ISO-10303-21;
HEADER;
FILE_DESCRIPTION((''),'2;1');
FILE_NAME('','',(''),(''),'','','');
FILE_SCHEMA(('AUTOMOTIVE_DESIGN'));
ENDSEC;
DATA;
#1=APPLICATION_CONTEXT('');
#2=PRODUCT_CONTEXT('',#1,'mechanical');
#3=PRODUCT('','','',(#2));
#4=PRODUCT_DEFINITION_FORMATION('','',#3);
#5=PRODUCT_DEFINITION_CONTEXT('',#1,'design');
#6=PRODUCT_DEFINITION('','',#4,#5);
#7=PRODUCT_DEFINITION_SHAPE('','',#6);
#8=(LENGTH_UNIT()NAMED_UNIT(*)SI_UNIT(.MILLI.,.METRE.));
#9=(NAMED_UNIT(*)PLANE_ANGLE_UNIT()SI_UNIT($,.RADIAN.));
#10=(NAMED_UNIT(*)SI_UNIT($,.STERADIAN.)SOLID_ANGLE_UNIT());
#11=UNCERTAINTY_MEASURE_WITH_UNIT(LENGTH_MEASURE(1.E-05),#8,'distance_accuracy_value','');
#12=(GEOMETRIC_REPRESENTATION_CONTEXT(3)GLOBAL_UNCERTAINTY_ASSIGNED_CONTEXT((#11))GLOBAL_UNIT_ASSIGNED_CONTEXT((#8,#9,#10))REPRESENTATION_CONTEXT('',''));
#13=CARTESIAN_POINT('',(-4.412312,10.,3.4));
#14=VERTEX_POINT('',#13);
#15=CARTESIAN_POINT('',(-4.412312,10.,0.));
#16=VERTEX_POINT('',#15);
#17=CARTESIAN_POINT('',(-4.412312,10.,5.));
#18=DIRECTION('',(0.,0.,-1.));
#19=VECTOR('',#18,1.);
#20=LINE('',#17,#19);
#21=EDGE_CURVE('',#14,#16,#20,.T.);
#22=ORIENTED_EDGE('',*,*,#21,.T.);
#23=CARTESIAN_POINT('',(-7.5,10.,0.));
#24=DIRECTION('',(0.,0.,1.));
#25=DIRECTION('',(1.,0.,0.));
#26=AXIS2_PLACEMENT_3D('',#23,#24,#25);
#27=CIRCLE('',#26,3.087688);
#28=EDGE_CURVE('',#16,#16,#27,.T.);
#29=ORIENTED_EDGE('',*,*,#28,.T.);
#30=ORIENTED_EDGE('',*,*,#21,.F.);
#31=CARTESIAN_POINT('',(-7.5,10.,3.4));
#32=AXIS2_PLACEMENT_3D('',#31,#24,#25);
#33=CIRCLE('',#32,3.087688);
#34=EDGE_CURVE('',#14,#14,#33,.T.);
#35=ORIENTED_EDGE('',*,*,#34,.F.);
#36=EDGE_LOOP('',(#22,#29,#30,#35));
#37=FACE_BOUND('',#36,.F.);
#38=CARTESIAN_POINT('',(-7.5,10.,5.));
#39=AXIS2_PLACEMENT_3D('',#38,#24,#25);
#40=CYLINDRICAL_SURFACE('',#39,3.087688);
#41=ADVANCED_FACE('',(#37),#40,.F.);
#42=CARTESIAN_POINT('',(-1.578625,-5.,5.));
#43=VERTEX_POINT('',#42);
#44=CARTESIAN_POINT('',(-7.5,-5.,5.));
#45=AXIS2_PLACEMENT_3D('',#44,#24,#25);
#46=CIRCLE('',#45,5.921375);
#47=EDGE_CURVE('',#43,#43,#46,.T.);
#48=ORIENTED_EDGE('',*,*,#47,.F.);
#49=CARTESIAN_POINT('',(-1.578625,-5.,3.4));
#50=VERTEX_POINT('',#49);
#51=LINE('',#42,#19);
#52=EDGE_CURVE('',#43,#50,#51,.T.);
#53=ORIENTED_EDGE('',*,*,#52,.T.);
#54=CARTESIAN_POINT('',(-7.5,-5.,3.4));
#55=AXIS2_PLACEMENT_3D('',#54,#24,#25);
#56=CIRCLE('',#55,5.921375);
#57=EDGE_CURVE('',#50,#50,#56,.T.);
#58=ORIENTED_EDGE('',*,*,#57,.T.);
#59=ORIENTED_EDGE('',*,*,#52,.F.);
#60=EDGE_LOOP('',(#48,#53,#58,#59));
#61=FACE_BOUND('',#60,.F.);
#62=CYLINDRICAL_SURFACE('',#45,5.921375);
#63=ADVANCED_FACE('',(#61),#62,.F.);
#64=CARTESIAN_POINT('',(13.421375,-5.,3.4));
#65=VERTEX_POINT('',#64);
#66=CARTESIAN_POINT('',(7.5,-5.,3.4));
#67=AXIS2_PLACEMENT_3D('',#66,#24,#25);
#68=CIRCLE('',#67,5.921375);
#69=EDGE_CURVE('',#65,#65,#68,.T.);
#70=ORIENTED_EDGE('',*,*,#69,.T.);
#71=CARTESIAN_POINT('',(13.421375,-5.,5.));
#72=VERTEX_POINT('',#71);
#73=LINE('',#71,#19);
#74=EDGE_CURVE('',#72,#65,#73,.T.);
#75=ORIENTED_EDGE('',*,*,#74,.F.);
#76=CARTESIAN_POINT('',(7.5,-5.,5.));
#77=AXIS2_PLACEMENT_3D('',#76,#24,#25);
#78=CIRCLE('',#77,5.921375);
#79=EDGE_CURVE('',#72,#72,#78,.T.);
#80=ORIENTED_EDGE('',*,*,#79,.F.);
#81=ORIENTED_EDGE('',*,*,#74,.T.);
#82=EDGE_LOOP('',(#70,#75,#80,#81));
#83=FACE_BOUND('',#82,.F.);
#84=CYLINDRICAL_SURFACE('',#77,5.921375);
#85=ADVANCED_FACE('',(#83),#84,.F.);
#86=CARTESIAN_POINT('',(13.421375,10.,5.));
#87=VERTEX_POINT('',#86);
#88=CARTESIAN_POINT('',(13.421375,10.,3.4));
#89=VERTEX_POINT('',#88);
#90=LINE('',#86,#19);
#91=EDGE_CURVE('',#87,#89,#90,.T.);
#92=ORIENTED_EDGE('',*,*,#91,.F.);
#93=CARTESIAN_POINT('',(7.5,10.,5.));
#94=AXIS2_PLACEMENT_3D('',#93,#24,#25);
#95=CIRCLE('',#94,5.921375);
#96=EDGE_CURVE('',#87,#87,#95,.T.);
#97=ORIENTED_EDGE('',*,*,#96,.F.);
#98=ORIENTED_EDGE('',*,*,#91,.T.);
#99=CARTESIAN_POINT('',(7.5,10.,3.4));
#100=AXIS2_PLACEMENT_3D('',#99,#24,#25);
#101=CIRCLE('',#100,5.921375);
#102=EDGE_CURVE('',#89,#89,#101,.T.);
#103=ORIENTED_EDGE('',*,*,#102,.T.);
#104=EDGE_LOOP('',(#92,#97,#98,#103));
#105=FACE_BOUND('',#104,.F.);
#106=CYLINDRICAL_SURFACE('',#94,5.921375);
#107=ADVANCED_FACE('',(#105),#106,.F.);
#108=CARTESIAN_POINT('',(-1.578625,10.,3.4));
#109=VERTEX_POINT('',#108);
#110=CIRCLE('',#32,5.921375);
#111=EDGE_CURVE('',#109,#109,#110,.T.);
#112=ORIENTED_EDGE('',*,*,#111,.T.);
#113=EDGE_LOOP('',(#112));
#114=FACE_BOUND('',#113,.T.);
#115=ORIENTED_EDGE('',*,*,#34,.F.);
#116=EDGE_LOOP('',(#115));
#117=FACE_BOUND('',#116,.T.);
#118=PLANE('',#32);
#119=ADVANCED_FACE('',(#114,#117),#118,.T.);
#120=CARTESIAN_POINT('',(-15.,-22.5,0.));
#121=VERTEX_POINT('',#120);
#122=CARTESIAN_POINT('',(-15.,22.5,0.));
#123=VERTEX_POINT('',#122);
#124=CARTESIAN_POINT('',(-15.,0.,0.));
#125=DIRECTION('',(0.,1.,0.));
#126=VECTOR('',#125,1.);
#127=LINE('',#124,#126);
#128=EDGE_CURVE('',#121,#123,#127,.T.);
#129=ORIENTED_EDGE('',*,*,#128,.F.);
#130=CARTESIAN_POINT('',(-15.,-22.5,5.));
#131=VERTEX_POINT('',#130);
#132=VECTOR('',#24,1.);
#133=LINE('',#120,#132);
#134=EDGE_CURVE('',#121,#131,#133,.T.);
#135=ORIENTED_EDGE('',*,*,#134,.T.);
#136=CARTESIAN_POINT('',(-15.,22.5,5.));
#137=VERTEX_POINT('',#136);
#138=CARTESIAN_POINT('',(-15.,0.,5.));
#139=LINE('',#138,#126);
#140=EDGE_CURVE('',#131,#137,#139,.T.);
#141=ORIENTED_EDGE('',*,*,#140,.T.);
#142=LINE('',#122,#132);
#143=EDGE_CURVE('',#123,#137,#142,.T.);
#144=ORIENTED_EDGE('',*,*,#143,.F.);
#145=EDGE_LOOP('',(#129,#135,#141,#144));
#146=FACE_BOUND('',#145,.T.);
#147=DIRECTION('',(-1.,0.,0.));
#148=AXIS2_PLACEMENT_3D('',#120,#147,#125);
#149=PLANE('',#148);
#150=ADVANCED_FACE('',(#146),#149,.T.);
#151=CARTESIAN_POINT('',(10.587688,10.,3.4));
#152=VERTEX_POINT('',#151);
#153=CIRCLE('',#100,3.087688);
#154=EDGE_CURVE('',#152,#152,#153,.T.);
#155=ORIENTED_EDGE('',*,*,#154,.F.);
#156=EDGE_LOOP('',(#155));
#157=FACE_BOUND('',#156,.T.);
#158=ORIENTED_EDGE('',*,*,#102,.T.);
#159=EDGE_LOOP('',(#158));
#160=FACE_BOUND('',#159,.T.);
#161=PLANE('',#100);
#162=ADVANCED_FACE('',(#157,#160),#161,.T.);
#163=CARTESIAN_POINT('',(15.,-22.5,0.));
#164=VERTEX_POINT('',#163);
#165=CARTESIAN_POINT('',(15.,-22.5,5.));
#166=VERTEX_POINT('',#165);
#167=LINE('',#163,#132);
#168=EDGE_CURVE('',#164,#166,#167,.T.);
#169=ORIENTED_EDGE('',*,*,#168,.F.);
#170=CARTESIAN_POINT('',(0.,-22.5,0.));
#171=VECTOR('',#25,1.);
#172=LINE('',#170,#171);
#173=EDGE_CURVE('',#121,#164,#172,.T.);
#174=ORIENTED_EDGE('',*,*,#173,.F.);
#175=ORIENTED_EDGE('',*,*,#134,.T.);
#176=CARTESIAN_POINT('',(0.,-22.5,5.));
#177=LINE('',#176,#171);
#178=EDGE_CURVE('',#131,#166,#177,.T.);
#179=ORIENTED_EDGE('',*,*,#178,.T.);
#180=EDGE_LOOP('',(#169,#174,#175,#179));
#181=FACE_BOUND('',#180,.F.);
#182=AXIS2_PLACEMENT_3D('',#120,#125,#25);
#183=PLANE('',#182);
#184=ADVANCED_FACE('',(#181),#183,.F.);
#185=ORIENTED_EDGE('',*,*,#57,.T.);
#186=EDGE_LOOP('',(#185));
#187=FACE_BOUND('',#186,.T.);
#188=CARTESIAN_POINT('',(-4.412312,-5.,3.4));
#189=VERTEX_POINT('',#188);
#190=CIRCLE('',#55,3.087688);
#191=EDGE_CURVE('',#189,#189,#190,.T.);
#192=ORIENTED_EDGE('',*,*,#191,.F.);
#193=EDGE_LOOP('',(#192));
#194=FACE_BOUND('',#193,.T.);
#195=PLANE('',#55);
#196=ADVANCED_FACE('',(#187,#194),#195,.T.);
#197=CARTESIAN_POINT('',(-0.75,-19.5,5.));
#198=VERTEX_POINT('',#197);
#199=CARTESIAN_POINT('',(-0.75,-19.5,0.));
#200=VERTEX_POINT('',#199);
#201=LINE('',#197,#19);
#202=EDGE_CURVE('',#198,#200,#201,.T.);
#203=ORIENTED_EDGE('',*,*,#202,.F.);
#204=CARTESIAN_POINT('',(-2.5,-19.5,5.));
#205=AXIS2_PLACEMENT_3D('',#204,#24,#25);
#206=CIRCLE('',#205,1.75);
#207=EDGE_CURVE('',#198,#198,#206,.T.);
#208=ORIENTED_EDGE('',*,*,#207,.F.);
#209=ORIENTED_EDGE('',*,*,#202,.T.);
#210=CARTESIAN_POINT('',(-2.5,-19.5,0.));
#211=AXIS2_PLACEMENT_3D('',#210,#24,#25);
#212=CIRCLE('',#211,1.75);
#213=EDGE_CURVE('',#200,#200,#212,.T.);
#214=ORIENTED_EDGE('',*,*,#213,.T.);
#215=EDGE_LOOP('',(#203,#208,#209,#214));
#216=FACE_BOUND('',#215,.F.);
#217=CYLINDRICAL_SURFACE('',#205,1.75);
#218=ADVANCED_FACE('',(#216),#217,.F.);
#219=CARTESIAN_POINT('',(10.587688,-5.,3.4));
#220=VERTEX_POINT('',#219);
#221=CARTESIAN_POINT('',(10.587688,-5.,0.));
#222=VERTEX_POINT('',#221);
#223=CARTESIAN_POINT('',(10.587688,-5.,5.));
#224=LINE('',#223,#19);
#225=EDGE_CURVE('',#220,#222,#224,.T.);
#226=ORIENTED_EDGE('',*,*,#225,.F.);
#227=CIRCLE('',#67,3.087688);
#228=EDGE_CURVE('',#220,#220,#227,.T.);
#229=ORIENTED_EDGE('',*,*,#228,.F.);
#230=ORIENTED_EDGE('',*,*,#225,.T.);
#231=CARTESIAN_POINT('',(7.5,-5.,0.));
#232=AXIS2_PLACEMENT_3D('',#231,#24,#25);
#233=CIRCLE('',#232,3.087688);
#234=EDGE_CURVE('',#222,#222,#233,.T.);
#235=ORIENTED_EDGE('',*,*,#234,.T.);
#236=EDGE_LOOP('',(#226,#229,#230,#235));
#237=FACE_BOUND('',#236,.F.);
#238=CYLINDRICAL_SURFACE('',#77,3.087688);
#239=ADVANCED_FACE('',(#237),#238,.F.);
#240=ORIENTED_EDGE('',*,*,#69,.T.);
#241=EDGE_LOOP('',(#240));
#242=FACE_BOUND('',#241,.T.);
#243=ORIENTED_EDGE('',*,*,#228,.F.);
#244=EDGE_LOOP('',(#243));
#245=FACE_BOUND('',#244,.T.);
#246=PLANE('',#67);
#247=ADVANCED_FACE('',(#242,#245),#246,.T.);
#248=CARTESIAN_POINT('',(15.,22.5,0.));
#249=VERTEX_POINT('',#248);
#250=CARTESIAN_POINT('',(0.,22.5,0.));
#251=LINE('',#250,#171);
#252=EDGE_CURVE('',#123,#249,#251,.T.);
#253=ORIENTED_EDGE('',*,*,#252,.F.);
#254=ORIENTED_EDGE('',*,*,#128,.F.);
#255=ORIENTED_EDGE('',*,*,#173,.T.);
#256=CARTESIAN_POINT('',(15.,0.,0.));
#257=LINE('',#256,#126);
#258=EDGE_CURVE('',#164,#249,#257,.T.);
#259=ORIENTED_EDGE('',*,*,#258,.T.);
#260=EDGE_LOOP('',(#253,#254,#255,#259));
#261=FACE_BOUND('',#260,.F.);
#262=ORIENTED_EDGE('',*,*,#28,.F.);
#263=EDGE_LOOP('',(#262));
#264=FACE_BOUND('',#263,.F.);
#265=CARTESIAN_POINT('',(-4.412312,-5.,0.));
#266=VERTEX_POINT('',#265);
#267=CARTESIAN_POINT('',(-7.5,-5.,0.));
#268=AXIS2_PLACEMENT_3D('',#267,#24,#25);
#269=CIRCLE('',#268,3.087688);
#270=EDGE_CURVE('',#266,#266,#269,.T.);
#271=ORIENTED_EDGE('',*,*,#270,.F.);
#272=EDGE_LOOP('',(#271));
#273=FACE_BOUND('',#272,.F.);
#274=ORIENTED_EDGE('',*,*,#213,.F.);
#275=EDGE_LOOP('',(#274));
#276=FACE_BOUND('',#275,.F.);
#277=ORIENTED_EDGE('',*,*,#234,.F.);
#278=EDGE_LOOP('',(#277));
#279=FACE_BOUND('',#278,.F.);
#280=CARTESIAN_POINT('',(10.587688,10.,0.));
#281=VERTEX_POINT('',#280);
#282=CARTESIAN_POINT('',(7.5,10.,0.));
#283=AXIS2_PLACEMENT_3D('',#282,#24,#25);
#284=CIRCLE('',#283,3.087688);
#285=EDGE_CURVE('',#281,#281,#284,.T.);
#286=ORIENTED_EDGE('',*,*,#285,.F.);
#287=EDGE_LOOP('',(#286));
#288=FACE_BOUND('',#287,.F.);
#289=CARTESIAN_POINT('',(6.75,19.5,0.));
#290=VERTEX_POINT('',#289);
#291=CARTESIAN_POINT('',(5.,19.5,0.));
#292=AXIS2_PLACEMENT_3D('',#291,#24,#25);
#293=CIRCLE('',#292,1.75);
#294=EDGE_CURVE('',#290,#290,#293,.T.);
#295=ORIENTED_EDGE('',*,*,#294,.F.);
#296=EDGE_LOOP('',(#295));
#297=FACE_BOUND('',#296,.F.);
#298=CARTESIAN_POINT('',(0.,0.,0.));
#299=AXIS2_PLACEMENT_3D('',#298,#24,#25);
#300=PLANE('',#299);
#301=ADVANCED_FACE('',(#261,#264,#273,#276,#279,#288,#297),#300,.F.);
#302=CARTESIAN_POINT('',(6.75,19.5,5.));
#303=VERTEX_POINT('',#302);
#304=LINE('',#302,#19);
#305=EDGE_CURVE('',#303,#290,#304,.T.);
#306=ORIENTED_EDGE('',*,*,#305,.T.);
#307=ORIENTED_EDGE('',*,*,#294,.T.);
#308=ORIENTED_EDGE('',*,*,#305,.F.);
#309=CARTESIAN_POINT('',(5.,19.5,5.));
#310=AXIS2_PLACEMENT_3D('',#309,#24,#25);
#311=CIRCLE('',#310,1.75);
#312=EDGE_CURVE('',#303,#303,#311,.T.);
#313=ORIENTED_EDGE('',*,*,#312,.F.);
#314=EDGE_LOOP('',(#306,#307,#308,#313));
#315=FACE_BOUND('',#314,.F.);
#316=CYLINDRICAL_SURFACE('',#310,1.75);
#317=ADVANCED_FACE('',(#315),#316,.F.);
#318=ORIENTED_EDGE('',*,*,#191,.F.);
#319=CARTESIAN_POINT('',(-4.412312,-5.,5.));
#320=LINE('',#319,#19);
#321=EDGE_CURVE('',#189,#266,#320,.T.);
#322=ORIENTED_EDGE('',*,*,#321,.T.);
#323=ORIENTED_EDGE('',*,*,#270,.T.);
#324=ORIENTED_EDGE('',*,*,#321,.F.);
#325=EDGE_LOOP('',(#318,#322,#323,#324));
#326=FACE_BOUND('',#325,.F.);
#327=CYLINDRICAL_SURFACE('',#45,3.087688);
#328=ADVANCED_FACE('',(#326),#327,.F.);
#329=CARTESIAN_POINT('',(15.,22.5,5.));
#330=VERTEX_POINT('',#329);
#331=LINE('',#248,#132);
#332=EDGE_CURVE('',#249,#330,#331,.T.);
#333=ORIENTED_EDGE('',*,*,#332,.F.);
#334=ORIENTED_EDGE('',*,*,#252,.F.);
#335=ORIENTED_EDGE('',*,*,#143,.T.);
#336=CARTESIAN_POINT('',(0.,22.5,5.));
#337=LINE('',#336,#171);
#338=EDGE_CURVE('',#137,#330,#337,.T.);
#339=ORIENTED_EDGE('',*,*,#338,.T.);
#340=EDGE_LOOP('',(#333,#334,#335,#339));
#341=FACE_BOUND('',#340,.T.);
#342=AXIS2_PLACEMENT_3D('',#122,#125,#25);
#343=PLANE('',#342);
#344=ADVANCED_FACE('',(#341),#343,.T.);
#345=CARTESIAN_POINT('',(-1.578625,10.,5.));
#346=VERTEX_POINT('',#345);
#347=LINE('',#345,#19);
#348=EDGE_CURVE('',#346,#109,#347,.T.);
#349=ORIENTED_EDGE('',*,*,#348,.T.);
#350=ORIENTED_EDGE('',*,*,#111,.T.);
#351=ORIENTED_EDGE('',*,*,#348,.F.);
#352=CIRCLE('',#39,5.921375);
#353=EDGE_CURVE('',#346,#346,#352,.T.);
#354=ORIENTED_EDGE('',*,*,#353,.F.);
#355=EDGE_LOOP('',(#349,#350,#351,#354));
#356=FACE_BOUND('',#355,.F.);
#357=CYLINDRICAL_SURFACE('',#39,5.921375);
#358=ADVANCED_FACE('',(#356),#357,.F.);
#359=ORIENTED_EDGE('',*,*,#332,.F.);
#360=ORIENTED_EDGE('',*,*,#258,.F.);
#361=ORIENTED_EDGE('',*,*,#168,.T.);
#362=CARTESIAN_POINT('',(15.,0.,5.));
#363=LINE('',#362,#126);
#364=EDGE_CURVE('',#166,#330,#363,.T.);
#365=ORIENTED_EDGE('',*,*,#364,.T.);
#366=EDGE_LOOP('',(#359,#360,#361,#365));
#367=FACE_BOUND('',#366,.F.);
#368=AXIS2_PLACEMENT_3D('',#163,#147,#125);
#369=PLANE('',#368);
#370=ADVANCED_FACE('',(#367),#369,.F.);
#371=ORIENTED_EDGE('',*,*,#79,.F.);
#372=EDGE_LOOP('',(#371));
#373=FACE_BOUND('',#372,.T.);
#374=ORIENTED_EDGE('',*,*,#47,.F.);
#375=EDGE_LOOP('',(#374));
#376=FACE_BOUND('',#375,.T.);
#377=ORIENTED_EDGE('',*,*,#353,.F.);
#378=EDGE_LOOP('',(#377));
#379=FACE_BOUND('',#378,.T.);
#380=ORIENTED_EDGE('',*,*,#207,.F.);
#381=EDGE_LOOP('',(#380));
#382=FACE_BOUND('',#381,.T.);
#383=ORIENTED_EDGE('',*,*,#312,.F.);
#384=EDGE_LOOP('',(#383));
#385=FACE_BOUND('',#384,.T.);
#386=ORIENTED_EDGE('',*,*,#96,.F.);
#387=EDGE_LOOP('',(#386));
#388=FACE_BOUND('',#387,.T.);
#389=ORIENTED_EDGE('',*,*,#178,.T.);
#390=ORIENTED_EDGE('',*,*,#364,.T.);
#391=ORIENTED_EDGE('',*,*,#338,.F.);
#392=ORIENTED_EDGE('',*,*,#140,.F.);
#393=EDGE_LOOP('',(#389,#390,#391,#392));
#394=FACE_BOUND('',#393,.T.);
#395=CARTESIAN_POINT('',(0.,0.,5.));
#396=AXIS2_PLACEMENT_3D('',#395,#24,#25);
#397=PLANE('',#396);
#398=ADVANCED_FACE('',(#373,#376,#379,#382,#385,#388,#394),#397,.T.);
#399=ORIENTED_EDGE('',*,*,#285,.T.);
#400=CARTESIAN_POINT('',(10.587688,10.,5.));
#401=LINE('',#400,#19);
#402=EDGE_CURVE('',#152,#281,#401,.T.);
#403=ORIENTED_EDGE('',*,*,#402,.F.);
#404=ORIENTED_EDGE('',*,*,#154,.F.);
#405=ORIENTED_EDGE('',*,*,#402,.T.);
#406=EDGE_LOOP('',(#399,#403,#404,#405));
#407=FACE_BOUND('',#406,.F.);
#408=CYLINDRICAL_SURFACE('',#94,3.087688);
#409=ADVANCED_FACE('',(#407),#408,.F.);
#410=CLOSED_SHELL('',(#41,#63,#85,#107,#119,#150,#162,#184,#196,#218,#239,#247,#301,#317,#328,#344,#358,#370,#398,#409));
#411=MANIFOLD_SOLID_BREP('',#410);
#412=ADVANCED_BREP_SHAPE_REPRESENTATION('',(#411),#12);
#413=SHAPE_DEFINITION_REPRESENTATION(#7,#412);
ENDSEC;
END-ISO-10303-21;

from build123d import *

# Parameters (mm, degrees)
F0_W     = 30
F0_H     = 45
F1_DEPTH = 5
F2_R     = 3.087688
F3_DEPTH = 5
F4_R     = 5.921375
F5_DEPTH = 1.6
F6_R     = 1.75
F7_DEPTH = 5


with BuildPart() as f1:
    # F0 (on Top) → F1 (new body)
    with BuildSketch(Plane.XY):
        Rectangle(F0_W, F0_H)
    extrude(amount=F1_DEPTH)

    # F2 (on face) → F3 (cut, through all)
    with BuildSketch(Plane.XY.offset(5)):
        with Locations((-7.5, 10)):
            Circle(F2_R)
        with Locations((-7.5, -5)):
            Circle(F2_R)
        with Locations((7.5, 10)):
            Circle(F2_R)
        with Locations((7.5, -5)):
            Circle(F2_R)
    extrude(amount=-F3_DEPTH, mode=Mode.SUBTRACT)

    # F4 (on face) → F5 (cut)
    with BuildSketch(Plane.XY.offset(5)):
        with Locations((-7.5, 10)):
            Circle(F4_R)
        with Locations((7.5, 10)):
            Circle(F4_R)
        with Locations((7.5, -5)):
            Circle(F4_R)
        with Locations((-7.5, -5)):
            Circle(F4_R)
    extrude(amount=-F5_DEPTH, mode=Mode.SUBTRACT)

    # F6 (on face) → F7 (cut, through all)
    with BuildSketch(Plane.XY.offset(5)):
        with Locations((5, 19.5)):
            Circle(F6_R)
        with Locations((-2.5, -19.5)):
            Circle(F6_R)
    extrude(amount=-F7_DEPTH, mode=Mode.SUBTRACT)


solid = f1.part
